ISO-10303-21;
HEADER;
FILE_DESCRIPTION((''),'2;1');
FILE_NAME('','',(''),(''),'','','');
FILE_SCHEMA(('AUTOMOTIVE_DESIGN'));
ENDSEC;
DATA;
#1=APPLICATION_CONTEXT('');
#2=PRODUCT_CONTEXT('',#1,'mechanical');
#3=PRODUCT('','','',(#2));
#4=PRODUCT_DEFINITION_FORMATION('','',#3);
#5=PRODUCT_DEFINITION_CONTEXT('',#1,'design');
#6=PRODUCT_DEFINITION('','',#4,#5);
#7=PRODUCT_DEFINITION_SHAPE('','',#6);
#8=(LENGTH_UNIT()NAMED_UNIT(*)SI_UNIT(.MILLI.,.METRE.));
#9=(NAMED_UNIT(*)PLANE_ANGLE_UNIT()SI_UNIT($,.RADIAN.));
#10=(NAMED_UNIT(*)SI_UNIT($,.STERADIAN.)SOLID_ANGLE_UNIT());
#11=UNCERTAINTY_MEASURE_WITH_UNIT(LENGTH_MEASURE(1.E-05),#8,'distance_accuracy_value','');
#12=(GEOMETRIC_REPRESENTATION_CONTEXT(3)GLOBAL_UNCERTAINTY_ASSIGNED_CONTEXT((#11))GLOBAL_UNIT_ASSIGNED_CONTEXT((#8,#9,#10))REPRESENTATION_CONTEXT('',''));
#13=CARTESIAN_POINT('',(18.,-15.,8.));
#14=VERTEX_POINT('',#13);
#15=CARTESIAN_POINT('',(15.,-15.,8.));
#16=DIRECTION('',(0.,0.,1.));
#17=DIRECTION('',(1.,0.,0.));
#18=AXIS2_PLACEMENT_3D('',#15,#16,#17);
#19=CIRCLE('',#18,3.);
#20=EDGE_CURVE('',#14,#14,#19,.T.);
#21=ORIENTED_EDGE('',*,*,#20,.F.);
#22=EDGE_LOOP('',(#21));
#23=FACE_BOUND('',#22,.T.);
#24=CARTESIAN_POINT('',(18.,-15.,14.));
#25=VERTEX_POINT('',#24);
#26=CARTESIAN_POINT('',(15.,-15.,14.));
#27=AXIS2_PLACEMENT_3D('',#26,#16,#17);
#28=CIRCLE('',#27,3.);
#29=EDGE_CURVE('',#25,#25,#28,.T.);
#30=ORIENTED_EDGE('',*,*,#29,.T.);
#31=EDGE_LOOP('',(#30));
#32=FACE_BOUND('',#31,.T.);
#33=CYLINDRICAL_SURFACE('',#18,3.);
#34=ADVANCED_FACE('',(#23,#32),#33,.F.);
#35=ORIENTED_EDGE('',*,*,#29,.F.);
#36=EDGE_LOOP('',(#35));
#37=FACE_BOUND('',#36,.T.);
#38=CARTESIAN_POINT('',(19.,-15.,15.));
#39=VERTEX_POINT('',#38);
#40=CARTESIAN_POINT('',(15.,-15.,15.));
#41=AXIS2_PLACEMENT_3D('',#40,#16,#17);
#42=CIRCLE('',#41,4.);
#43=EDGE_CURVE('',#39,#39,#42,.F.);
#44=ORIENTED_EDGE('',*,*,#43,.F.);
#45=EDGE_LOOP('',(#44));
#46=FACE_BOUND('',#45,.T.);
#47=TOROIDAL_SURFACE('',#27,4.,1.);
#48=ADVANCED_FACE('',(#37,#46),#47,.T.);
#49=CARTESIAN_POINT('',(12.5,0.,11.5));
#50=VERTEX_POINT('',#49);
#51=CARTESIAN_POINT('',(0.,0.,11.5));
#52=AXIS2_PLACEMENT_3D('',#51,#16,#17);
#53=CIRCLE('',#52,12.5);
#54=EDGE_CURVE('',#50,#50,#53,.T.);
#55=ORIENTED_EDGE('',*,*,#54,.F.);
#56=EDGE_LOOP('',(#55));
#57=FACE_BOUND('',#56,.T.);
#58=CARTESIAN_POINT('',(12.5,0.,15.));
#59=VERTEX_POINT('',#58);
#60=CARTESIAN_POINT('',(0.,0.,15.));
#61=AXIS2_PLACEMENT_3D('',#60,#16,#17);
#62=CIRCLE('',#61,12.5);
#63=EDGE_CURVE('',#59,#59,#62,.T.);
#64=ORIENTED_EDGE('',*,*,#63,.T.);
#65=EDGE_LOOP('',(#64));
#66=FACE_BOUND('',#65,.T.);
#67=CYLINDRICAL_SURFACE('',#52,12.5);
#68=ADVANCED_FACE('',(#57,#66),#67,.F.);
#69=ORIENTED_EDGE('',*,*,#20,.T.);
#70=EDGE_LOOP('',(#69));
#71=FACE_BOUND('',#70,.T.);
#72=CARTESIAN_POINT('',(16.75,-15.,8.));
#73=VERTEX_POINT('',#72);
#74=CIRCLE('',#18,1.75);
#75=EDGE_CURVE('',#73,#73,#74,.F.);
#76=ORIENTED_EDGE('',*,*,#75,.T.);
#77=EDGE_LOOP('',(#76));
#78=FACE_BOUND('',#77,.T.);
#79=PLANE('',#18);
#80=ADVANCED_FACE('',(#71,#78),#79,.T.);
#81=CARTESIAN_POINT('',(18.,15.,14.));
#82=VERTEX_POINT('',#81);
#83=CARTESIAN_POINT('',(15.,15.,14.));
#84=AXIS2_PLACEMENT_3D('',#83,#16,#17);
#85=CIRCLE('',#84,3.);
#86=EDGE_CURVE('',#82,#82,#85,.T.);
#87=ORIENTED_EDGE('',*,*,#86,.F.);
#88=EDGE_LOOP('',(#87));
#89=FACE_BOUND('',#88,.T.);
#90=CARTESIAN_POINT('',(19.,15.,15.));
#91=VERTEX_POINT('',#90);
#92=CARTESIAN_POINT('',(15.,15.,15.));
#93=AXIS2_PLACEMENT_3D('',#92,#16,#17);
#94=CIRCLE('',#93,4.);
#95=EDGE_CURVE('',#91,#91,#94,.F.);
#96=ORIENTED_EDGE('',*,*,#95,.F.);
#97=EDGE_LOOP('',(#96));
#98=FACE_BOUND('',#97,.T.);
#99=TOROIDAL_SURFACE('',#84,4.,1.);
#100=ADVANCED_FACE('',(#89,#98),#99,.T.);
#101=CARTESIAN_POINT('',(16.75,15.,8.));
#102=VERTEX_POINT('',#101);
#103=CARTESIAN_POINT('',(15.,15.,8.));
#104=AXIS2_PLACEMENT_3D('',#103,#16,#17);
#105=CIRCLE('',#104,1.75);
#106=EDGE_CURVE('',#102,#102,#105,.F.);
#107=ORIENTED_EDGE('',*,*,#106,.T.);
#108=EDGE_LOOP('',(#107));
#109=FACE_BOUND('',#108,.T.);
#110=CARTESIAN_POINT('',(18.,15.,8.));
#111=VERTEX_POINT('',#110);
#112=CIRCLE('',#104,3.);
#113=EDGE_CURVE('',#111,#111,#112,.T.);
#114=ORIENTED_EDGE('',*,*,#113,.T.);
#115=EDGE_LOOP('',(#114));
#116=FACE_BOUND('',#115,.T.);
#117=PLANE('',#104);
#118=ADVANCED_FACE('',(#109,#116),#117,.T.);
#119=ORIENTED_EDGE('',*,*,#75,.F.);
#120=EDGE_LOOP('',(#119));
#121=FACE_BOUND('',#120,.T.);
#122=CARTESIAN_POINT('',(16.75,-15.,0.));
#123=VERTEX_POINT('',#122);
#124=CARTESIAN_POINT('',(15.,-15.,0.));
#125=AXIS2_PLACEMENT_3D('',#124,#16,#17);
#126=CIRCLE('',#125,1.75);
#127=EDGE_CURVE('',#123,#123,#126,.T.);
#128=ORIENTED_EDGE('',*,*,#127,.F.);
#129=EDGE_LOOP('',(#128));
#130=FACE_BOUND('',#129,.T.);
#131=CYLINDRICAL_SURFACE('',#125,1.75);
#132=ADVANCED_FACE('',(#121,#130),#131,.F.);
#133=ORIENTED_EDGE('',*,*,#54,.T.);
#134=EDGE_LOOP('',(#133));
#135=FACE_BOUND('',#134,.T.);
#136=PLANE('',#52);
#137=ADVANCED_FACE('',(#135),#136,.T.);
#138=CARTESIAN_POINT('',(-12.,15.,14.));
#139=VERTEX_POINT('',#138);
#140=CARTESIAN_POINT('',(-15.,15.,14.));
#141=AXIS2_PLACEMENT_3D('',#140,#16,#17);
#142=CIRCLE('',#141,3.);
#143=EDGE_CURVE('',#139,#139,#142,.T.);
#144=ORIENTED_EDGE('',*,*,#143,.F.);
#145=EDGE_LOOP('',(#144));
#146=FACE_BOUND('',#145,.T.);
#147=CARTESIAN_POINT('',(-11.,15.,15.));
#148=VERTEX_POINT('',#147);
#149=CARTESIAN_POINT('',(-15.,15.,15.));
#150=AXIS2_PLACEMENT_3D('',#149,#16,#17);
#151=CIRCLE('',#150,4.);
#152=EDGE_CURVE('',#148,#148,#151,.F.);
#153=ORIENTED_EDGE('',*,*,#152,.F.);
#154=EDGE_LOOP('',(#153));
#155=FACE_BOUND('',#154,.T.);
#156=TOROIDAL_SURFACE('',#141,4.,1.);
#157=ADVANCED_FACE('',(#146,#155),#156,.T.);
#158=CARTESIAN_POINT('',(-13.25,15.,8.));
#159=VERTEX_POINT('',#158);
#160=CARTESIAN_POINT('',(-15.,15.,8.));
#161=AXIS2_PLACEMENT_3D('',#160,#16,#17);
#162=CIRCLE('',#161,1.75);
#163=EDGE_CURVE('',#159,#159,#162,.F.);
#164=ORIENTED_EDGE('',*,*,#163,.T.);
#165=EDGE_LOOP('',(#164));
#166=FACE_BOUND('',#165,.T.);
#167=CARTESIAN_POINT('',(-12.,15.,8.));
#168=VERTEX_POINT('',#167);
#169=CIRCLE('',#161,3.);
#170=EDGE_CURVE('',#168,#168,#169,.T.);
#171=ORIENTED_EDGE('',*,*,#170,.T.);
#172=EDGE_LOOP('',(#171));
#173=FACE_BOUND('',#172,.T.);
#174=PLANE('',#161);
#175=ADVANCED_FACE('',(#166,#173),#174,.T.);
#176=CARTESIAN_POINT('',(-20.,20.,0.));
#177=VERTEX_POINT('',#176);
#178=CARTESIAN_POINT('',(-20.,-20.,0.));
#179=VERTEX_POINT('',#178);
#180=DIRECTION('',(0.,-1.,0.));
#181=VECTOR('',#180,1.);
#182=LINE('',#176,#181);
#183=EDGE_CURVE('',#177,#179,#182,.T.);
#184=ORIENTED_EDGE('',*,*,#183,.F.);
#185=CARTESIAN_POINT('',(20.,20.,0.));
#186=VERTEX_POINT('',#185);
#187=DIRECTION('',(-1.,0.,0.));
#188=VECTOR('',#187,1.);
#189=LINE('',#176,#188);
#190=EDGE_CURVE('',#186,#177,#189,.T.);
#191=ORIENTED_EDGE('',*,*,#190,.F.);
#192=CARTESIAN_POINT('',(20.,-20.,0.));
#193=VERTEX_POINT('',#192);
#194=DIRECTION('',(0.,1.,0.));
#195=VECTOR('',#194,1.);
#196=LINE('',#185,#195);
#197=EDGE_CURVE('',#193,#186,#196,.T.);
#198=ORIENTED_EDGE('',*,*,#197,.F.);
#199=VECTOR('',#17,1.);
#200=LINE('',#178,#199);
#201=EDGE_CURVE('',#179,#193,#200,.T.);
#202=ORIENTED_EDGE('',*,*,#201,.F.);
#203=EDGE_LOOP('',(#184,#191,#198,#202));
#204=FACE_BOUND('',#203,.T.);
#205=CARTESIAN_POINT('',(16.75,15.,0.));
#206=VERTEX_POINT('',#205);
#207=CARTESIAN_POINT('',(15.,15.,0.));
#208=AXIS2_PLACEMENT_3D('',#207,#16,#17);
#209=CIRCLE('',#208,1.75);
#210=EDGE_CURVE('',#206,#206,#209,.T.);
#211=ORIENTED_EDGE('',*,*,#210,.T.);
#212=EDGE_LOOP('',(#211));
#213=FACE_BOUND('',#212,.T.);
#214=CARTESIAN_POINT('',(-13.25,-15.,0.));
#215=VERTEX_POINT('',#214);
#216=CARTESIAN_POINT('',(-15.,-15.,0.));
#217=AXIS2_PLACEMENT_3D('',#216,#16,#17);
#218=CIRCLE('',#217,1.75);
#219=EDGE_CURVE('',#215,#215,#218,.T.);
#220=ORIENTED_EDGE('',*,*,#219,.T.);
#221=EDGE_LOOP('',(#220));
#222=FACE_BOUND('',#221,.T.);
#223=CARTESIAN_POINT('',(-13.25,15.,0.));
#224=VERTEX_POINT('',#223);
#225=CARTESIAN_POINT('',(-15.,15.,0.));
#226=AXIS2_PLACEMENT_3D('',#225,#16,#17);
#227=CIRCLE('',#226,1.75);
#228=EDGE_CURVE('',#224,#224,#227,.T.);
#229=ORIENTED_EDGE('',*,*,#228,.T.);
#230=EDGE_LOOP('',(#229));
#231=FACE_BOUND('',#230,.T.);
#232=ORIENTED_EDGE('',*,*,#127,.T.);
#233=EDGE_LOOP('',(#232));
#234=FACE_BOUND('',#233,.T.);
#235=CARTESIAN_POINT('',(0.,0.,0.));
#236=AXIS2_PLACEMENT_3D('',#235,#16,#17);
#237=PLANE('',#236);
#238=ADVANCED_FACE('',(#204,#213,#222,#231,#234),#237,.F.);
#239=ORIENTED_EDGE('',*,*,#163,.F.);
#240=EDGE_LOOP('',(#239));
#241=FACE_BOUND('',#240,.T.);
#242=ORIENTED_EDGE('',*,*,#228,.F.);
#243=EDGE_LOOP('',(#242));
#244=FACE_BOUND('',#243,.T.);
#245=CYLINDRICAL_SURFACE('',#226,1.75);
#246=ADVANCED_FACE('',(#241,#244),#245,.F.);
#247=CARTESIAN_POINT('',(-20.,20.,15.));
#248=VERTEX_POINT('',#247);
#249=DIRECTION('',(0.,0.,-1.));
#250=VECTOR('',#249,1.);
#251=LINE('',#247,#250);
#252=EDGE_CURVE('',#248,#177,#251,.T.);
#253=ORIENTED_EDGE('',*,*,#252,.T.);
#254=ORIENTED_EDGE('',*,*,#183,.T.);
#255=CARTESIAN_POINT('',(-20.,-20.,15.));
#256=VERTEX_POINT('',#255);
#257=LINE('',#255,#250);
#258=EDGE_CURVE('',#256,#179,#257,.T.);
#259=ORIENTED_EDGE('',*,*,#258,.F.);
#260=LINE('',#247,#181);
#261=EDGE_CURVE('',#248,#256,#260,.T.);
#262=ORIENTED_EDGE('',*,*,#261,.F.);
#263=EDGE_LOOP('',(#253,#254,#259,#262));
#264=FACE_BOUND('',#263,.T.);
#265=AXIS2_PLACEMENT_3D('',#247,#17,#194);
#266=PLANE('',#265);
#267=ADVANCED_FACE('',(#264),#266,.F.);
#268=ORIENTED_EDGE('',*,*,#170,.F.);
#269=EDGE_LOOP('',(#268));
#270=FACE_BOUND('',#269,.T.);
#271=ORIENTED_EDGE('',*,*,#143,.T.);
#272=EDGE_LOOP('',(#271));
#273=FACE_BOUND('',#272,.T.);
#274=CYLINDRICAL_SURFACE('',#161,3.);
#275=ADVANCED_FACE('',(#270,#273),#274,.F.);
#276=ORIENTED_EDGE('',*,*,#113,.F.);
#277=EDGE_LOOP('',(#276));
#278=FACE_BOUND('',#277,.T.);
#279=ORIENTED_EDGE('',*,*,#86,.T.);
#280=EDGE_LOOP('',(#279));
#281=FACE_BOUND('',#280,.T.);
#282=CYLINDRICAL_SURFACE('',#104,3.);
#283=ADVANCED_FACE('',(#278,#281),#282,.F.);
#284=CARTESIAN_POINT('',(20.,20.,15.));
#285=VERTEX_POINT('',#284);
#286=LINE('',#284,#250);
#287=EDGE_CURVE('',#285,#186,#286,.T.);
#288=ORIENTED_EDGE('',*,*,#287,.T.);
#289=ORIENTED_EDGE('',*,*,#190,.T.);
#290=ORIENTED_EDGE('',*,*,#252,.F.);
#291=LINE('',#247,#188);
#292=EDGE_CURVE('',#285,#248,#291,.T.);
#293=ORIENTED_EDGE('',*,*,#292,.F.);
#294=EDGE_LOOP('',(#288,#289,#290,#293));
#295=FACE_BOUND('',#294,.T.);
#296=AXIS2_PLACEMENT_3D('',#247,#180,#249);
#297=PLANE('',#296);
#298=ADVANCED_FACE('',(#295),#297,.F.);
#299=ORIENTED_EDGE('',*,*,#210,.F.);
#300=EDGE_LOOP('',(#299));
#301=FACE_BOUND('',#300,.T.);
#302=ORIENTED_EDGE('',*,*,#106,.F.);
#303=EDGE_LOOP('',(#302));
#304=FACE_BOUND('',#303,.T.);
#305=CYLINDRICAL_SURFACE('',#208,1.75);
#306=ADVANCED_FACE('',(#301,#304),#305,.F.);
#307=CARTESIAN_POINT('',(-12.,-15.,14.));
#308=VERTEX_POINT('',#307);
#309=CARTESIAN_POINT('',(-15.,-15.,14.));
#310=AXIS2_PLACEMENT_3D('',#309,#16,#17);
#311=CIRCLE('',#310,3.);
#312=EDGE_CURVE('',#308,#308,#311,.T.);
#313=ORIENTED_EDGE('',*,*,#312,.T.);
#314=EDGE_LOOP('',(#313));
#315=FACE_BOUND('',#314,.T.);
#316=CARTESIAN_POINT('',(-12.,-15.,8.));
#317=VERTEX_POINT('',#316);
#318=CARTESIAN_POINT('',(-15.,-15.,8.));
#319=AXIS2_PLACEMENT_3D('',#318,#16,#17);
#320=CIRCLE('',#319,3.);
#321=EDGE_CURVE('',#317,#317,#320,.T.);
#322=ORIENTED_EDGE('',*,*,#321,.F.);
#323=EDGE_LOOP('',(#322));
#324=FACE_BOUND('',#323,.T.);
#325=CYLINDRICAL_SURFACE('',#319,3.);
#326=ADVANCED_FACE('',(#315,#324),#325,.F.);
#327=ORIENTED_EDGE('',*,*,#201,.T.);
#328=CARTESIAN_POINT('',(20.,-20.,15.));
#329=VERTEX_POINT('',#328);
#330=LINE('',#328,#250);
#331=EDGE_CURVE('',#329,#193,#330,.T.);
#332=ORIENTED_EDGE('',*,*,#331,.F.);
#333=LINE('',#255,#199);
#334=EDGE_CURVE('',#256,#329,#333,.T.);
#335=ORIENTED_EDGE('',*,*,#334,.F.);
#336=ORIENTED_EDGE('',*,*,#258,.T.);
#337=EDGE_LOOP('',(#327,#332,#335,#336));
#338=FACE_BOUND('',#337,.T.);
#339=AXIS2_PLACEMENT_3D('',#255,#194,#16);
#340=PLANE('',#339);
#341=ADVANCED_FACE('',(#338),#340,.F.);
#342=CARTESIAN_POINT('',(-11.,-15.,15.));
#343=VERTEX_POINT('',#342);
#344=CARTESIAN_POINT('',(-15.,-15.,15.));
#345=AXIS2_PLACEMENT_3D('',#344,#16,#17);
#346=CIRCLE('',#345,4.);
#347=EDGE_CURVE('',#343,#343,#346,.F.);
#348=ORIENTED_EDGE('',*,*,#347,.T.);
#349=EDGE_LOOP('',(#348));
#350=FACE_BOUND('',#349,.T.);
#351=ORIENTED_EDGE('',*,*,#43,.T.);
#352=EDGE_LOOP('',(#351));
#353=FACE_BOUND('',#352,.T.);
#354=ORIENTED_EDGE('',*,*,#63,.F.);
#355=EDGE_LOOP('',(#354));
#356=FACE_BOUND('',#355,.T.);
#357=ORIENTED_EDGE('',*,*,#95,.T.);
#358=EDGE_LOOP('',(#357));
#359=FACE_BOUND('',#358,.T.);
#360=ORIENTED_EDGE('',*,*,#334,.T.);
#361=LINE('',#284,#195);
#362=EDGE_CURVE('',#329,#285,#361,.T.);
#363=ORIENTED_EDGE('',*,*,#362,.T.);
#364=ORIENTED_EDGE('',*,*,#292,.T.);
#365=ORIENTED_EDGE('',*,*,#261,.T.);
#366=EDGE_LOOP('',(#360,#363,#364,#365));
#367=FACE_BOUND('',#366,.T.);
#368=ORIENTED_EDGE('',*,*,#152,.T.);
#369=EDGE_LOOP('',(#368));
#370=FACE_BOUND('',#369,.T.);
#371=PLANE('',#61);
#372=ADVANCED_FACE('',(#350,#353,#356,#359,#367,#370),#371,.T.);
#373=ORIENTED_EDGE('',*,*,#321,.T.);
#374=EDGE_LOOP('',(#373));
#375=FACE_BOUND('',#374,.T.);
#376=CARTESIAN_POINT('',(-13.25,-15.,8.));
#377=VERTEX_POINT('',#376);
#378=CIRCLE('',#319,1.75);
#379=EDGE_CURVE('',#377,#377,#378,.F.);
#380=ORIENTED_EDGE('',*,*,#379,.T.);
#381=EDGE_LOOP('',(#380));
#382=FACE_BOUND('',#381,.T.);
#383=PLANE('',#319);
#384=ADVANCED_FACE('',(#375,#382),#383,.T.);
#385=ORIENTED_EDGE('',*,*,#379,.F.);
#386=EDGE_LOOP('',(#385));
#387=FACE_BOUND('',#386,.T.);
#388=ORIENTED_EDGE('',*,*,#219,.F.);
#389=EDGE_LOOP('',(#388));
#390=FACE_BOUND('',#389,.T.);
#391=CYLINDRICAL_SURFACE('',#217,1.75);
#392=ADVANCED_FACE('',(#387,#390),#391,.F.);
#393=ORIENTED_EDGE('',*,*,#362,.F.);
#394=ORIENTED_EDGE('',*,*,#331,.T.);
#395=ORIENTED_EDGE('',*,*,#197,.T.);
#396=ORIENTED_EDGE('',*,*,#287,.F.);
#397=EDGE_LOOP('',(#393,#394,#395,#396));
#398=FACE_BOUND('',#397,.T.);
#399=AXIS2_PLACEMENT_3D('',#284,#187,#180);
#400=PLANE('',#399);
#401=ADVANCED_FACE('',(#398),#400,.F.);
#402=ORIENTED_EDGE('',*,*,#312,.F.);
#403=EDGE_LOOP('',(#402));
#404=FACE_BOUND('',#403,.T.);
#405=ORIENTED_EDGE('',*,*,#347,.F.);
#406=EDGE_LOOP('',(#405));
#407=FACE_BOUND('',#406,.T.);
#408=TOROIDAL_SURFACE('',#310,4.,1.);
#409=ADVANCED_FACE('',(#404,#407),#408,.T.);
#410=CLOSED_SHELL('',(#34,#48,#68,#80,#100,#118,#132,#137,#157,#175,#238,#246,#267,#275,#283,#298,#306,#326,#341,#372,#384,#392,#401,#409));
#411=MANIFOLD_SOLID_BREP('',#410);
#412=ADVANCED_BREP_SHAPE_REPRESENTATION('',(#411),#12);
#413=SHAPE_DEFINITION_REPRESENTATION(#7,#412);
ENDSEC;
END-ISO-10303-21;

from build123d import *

# Parameters (mm, degrees)
SKETCH1_W           = 40
SKETCH1_H           = 40
BOSS_EXTRUDE1_DEPTH = 15
SKETCH3_R           = 1.75
CUT_EXTRUDE2_DEPTH  = 16
SKETCH4_R           = 3
CUT_EXTRUDE3_DEPTH  = 7
FILLET1_R           = 1
SKETCH5_R           = 12.5
CUT_EXTRUDE4_DEPTH  = 3.5


with BuildPart() as part:
    # Sketch1 → Boss-Extrude1 (new body)
    with BuildSketch(Plane.XY):
        Rectangle(SKETCH1_W, SKETCH1_H)
    extrude(amount=BOSS_EXTRUDE1_DEPTH)

    # Sketch3 → Cut-Extrude2 (cut, through all)
    with BuildSketch(Plane.XY.offset(15)):
        with Locations((15, 15)):
            Circle(SKETCH3_R)
        with Locations((15, -15)):
            Circle(SKETCH3_R)
        with Locations((-15, 15)):
            Circle(SKETCH3_R)
        with Locations((-15, -15)):
            Circle(SKETCH3_R)
    extrude(amount=-CUT_EXTRUDE2_DEPTH, mode=Mode.SUBTRACT)

    # Sketch4 → Cut-Extrude3 (cut)
    with BuildSketch(Plane.XY.offset(15)):
        with Locations((15, 15)):
            Circle(SKETCH4_R)
        with Locations((15, -15)):
            Circle(SKETCH4_R)
        with Locations((-15, -15)):
            Circle(SKETCH4_R)
        with Locations((-15, 15)):
            Circle(SKETCH4_R)
    extrude(amount=-CUT_EXTRUDE3_DEPTH, mode=Mode.SUBTRACT)

    # Fillet1
    fillet1_edges = [part.edges().sort_by_distance(p)[0] for p in [
        (12, 15, 15),
        (12, -15, 15),
        (-18, -15, 15),
        (-18, 15, 15),
    ]]
    fillet(fillet1_edges, radius=FILLET1_R)

    # Sketch5 → Cut-Extrude4 (cut)
    with BuildSketch(Plane.XY.offset(15)):
        Circle(SKETCH5_R)
    extrude(amount=-CUT_EXTRUDE4_DEPTH, mode=Mode.SUBTRACT)


solid = part.part
